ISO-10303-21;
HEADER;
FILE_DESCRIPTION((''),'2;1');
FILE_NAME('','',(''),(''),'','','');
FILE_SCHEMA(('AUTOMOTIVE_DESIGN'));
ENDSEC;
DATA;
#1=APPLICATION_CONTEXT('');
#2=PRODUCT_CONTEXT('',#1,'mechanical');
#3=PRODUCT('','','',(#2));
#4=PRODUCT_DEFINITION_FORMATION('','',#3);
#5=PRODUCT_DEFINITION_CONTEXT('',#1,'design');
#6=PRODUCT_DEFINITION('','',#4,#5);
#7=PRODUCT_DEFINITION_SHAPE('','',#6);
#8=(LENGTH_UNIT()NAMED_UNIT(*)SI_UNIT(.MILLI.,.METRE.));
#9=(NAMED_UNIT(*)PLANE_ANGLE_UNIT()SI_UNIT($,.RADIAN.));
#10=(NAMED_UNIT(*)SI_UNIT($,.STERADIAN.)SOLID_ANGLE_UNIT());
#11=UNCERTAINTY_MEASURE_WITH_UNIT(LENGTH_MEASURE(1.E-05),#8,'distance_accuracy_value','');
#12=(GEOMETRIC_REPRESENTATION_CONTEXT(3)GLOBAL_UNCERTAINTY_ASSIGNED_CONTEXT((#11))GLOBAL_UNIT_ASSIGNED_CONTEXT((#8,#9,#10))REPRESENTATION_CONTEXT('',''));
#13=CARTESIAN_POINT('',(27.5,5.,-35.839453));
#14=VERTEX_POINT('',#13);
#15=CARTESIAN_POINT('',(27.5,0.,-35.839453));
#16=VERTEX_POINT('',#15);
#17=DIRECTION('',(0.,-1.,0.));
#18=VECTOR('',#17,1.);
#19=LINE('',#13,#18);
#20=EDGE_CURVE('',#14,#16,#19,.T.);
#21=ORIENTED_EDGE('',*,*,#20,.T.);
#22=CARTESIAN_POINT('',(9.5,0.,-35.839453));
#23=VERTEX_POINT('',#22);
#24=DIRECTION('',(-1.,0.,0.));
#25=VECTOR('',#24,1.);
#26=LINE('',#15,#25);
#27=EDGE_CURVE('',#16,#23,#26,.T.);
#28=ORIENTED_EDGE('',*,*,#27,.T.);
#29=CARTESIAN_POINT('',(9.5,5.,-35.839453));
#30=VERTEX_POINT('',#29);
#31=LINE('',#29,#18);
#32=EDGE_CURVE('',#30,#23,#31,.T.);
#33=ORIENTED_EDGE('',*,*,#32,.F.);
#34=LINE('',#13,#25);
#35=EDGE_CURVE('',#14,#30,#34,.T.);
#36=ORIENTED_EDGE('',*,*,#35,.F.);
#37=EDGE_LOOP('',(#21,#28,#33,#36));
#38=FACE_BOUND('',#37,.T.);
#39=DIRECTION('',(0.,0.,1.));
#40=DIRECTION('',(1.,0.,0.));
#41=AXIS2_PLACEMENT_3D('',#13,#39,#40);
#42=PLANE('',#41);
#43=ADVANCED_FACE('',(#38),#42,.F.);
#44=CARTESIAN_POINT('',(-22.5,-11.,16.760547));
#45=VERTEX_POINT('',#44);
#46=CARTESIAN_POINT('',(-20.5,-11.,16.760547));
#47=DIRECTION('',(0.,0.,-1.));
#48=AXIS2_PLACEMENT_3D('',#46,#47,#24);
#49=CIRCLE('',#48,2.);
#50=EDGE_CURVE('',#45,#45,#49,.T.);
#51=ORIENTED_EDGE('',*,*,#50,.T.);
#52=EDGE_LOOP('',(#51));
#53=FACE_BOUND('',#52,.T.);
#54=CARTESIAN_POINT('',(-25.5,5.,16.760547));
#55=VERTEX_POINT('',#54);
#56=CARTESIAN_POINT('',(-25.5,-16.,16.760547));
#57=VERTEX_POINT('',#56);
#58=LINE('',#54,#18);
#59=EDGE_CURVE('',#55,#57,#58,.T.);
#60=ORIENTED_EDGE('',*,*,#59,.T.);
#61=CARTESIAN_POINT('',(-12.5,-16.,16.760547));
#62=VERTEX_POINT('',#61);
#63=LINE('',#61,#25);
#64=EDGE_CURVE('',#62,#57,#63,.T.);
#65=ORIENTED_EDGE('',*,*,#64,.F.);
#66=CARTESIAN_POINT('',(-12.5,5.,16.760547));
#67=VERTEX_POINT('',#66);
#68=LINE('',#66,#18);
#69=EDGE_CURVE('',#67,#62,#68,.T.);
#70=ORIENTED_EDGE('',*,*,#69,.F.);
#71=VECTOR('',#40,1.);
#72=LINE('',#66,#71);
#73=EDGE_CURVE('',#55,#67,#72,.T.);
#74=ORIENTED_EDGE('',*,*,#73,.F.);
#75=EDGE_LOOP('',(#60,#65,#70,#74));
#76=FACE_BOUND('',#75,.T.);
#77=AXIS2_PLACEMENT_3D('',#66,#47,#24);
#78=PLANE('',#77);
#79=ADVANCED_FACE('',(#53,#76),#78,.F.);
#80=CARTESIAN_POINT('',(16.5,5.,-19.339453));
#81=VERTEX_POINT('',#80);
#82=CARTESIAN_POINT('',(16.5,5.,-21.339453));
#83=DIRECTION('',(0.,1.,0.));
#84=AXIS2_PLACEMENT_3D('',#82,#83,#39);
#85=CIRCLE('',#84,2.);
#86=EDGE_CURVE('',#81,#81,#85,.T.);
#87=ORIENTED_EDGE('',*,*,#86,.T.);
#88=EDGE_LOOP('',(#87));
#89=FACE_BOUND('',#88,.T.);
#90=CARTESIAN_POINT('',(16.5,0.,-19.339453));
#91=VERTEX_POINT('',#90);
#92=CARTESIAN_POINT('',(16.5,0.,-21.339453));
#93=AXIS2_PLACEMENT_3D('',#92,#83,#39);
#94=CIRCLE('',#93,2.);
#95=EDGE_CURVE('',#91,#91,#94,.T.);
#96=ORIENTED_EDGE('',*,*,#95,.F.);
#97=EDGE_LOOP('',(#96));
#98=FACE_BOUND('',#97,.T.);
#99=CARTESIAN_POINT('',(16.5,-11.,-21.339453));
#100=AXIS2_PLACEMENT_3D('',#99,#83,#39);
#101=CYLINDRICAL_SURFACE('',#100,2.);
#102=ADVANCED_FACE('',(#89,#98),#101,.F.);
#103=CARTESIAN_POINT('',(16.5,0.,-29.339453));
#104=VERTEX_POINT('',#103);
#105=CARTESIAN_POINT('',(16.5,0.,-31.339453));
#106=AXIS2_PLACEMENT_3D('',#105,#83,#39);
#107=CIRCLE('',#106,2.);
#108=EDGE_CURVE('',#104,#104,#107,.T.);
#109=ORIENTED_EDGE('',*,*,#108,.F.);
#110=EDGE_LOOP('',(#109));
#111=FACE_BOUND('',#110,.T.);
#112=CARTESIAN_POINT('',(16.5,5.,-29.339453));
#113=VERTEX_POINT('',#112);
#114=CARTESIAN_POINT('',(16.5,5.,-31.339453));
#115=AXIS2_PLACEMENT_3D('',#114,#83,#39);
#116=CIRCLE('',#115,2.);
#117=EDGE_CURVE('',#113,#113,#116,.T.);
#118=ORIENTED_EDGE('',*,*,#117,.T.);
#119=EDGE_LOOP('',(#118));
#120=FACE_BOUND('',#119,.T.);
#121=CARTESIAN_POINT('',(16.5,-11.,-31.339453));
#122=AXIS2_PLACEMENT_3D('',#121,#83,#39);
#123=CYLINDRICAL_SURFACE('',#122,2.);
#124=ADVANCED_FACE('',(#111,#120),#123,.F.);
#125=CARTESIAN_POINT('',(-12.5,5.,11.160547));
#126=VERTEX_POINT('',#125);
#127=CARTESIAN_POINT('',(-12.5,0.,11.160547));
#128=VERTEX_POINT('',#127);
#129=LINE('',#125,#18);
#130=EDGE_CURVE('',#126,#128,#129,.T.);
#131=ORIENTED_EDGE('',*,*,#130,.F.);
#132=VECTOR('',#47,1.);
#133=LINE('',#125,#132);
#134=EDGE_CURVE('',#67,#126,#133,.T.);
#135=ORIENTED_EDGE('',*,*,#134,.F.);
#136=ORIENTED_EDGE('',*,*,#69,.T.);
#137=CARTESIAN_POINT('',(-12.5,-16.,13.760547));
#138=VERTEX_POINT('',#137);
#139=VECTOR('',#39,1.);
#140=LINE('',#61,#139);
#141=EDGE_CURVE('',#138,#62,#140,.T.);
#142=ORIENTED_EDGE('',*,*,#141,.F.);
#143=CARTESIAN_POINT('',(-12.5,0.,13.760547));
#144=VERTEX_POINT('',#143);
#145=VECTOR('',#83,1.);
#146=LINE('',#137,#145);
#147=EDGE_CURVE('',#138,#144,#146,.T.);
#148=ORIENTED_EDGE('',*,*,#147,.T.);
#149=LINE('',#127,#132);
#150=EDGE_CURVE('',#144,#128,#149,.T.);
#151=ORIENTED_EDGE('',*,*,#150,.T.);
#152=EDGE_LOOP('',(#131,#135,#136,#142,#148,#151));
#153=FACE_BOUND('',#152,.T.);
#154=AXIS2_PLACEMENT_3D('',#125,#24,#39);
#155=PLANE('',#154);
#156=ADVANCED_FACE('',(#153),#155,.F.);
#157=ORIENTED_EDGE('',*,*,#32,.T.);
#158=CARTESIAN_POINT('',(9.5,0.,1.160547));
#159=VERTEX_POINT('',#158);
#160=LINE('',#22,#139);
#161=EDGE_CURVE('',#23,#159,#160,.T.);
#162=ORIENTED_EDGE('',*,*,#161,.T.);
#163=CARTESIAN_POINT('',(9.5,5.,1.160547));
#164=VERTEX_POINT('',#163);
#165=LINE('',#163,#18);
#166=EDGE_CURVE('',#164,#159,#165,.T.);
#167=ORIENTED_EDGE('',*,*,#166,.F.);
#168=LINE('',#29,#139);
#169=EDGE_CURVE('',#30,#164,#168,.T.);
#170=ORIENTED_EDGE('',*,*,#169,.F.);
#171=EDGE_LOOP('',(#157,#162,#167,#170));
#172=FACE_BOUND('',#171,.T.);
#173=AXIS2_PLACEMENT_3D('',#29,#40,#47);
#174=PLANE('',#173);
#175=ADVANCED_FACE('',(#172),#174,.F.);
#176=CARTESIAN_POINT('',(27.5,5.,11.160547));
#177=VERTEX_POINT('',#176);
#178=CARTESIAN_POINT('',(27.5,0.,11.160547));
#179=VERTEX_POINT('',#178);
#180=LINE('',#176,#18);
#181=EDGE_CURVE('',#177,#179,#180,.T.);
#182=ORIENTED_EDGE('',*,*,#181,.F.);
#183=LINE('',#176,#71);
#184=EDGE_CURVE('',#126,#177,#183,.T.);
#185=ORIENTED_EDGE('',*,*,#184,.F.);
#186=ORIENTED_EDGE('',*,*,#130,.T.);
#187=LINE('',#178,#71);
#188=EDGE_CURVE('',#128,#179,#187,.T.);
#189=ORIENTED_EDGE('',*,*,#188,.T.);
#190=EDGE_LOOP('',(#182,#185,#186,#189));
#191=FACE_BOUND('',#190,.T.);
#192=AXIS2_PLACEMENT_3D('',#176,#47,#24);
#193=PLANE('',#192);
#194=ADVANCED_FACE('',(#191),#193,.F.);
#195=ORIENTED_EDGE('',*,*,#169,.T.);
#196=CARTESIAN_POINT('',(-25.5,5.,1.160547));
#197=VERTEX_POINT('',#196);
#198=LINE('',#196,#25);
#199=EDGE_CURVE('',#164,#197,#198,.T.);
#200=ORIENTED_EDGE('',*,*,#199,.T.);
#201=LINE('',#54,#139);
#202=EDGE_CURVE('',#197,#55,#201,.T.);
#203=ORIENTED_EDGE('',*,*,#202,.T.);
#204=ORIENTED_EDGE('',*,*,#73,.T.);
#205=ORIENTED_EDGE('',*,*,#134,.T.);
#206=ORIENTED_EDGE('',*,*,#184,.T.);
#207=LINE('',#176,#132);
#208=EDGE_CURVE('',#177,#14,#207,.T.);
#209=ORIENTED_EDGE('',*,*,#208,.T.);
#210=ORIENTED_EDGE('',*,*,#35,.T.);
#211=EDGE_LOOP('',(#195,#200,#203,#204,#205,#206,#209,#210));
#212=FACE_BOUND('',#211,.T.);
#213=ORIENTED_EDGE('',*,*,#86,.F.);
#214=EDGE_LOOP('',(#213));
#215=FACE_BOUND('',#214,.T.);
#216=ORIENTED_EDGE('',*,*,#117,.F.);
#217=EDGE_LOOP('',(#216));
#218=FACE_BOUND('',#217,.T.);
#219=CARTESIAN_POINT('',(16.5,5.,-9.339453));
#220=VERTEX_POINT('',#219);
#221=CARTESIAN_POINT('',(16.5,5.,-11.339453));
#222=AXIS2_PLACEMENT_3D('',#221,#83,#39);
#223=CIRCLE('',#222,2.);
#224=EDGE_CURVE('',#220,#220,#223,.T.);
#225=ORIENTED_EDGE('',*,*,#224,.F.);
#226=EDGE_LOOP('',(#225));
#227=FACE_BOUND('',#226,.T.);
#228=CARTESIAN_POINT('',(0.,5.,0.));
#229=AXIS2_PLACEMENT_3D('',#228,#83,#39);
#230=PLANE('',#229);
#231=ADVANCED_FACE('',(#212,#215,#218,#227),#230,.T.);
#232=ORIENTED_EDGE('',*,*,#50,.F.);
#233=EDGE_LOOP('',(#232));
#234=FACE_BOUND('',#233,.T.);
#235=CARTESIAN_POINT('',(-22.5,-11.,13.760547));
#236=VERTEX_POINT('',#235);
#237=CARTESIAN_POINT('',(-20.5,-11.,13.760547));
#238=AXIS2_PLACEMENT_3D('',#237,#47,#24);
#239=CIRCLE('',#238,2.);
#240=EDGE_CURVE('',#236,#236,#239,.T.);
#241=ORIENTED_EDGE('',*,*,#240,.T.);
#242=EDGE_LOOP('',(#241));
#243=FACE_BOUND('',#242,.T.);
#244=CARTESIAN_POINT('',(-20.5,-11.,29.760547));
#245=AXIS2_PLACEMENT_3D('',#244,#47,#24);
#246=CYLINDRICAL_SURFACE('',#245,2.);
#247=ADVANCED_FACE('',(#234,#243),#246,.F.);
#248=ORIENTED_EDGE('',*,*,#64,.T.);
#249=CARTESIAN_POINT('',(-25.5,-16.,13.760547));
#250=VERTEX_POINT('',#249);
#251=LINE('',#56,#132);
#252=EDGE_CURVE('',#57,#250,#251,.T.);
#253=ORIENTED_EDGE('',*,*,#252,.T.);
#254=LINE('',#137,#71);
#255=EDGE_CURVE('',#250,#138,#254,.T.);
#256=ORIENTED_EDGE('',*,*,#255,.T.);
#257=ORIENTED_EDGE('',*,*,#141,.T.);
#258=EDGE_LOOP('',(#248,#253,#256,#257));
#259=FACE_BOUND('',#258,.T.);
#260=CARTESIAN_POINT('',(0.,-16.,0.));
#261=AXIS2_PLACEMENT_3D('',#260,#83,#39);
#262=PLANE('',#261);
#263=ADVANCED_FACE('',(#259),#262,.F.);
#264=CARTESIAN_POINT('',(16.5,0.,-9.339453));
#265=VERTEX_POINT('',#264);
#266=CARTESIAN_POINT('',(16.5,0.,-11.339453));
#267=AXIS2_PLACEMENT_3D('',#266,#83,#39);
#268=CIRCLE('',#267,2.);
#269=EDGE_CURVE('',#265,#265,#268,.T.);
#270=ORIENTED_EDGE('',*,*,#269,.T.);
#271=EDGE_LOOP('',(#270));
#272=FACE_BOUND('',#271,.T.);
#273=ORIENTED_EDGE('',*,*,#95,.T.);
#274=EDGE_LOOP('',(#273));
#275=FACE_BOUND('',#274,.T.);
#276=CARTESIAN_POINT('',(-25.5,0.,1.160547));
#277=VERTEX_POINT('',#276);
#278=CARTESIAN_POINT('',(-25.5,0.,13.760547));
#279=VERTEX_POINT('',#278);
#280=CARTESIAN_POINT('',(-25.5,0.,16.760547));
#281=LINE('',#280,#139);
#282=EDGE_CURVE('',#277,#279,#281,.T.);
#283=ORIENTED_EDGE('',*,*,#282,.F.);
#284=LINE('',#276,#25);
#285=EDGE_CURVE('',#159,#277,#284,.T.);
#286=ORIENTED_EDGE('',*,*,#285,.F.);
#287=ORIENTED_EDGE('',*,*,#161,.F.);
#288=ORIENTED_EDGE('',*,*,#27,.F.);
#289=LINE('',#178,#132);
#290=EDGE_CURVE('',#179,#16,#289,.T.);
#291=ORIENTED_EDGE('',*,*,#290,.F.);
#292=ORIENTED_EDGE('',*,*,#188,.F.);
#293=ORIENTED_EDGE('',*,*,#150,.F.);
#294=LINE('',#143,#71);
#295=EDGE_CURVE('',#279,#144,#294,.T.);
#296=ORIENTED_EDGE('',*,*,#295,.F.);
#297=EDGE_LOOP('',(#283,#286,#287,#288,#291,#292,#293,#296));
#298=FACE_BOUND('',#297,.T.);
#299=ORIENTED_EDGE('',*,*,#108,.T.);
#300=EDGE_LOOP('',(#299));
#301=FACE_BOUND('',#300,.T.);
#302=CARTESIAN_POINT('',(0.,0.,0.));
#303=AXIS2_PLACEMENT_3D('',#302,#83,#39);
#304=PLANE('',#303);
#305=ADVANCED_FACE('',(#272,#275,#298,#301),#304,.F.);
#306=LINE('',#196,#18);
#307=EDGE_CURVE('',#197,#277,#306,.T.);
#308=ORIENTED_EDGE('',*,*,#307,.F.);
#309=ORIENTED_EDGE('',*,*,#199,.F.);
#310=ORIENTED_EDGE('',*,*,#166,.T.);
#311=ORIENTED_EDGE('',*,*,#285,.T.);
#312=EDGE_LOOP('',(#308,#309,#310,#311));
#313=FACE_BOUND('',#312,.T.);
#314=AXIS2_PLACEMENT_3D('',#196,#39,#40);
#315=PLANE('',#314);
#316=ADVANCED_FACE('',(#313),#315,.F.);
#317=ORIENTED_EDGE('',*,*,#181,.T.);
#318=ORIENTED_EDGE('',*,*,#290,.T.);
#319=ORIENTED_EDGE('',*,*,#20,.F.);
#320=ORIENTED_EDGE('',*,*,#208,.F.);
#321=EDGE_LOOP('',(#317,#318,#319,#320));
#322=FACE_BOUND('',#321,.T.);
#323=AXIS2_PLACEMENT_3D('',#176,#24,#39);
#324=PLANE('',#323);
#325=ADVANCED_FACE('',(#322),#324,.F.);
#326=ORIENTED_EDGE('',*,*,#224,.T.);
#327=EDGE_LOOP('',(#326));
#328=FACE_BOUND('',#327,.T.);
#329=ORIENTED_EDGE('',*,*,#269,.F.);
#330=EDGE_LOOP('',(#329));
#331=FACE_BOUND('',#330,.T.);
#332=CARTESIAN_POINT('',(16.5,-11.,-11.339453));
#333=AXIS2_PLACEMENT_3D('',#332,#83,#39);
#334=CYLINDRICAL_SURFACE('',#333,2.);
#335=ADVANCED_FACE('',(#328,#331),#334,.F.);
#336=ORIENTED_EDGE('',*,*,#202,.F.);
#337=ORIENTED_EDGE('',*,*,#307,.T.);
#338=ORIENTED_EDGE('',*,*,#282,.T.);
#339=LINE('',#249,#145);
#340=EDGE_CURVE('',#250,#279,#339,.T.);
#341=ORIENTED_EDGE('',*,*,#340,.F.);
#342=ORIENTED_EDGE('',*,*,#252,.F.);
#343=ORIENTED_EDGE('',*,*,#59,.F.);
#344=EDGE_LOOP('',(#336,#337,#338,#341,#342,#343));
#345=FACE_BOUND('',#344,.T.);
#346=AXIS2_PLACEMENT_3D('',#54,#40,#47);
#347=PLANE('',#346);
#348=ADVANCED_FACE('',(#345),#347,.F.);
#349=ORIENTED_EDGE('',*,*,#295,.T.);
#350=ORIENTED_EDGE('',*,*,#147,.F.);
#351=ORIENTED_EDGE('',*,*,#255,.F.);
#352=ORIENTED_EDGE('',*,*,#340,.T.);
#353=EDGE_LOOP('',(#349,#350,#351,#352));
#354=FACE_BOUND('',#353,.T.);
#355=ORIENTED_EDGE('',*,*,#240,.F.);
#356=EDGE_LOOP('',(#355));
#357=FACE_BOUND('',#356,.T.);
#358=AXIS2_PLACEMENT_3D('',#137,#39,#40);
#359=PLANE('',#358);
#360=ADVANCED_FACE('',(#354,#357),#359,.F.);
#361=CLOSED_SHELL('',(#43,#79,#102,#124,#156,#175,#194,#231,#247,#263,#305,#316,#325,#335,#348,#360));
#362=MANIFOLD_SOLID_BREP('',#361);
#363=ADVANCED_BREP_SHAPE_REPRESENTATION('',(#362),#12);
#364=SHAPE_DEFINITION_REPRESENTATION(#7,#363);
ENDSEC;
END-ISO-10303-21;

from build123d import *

# Parameters (mm, degrees)
SALIENTE_EXTRUIR1_DEPTH = 5
CROQUIS2_W              = 13
CROQUIS2_H              = 3
SALIENTE_EXTRUIR2_DEPTH = 16
CROQUIS3_R              = 2
CORTAR_EXTRUIR1_DEPTH   = 16
CROQUIS7_R              = 2
CORTAR_EXTRUIR2_DEPTH   = 16


with BuildPart() as part:
    # Croquis1 → Saliente-Extruir1 (new body)
    with BuildSketch(Plane(origin=(0, 0, 0), x_dir=(1, 0, 0), z_dir=(0, 1, 0))):
        Polygon((27.5, -11.160546845), (-12.5, -11.160546845), (-12.5, -16.760546845), (-25.5, -16.760546845), (-25.5, -1.160546845), (9.5, -1.160546845), (9.5, 35.839453155), (27.5, 35.839453155), align=None)
    extrude(amount=SALIENTE_EXTRUIR1_DEPTH)

    # Croquis2 → Saliente-Extruir2 (add)
    with BuildSketch(Plane(origin=(0, 0, 0), x_dir=(-1, 0, 0), z_dir=(0, -1, 0))):
        with Locations((19, -15.260546845)):
            Rectangle(CROQUIS2_W, CROQUIS2_H)
    extrude(amount=SALIENTE_EXTRUIR2_DEPTH)

    # Croquis3 → Cortar-Extruir1 (cut)
    with BuildSketch(Plane(origin=(0, 5, 0), x_dir=(1, 0, 0), z_dir=(0, 1, 0))):
        with Locations(Location((16.5, 31.339453155, 0), (0, 0, 270))):
            Circle(CROQUIS3_R)
        with Locations(Location((16.5, 21.339453155, 0), (0, 0, 270))):
            Circle(CROQUIS3_R)
        with Locations(Location((16.5, 11.339453155, 0), (0, 0, 270))):
            Circle(CROQUIS3_R)
    extrude(amount=-CORTAR_EXTRUIR1_DEPTH, mode=Mode.SUBTRACT)

    # Croquis7 → Cortar-Extruir2 (cut)
    with BuildSketch(Plane(origin=(0, 0, 13.760546845), x_dir=(-1, 0, 0), z_dir=(0, 0, -1))):
        with Locations((20.5, -11)):
            Circle(CROQUIS7_R)
    extrude(amount=-CORTAR_EXTRUIR2_DEPTH, mode=Mode.SUBTRACT)


solid = part.part
